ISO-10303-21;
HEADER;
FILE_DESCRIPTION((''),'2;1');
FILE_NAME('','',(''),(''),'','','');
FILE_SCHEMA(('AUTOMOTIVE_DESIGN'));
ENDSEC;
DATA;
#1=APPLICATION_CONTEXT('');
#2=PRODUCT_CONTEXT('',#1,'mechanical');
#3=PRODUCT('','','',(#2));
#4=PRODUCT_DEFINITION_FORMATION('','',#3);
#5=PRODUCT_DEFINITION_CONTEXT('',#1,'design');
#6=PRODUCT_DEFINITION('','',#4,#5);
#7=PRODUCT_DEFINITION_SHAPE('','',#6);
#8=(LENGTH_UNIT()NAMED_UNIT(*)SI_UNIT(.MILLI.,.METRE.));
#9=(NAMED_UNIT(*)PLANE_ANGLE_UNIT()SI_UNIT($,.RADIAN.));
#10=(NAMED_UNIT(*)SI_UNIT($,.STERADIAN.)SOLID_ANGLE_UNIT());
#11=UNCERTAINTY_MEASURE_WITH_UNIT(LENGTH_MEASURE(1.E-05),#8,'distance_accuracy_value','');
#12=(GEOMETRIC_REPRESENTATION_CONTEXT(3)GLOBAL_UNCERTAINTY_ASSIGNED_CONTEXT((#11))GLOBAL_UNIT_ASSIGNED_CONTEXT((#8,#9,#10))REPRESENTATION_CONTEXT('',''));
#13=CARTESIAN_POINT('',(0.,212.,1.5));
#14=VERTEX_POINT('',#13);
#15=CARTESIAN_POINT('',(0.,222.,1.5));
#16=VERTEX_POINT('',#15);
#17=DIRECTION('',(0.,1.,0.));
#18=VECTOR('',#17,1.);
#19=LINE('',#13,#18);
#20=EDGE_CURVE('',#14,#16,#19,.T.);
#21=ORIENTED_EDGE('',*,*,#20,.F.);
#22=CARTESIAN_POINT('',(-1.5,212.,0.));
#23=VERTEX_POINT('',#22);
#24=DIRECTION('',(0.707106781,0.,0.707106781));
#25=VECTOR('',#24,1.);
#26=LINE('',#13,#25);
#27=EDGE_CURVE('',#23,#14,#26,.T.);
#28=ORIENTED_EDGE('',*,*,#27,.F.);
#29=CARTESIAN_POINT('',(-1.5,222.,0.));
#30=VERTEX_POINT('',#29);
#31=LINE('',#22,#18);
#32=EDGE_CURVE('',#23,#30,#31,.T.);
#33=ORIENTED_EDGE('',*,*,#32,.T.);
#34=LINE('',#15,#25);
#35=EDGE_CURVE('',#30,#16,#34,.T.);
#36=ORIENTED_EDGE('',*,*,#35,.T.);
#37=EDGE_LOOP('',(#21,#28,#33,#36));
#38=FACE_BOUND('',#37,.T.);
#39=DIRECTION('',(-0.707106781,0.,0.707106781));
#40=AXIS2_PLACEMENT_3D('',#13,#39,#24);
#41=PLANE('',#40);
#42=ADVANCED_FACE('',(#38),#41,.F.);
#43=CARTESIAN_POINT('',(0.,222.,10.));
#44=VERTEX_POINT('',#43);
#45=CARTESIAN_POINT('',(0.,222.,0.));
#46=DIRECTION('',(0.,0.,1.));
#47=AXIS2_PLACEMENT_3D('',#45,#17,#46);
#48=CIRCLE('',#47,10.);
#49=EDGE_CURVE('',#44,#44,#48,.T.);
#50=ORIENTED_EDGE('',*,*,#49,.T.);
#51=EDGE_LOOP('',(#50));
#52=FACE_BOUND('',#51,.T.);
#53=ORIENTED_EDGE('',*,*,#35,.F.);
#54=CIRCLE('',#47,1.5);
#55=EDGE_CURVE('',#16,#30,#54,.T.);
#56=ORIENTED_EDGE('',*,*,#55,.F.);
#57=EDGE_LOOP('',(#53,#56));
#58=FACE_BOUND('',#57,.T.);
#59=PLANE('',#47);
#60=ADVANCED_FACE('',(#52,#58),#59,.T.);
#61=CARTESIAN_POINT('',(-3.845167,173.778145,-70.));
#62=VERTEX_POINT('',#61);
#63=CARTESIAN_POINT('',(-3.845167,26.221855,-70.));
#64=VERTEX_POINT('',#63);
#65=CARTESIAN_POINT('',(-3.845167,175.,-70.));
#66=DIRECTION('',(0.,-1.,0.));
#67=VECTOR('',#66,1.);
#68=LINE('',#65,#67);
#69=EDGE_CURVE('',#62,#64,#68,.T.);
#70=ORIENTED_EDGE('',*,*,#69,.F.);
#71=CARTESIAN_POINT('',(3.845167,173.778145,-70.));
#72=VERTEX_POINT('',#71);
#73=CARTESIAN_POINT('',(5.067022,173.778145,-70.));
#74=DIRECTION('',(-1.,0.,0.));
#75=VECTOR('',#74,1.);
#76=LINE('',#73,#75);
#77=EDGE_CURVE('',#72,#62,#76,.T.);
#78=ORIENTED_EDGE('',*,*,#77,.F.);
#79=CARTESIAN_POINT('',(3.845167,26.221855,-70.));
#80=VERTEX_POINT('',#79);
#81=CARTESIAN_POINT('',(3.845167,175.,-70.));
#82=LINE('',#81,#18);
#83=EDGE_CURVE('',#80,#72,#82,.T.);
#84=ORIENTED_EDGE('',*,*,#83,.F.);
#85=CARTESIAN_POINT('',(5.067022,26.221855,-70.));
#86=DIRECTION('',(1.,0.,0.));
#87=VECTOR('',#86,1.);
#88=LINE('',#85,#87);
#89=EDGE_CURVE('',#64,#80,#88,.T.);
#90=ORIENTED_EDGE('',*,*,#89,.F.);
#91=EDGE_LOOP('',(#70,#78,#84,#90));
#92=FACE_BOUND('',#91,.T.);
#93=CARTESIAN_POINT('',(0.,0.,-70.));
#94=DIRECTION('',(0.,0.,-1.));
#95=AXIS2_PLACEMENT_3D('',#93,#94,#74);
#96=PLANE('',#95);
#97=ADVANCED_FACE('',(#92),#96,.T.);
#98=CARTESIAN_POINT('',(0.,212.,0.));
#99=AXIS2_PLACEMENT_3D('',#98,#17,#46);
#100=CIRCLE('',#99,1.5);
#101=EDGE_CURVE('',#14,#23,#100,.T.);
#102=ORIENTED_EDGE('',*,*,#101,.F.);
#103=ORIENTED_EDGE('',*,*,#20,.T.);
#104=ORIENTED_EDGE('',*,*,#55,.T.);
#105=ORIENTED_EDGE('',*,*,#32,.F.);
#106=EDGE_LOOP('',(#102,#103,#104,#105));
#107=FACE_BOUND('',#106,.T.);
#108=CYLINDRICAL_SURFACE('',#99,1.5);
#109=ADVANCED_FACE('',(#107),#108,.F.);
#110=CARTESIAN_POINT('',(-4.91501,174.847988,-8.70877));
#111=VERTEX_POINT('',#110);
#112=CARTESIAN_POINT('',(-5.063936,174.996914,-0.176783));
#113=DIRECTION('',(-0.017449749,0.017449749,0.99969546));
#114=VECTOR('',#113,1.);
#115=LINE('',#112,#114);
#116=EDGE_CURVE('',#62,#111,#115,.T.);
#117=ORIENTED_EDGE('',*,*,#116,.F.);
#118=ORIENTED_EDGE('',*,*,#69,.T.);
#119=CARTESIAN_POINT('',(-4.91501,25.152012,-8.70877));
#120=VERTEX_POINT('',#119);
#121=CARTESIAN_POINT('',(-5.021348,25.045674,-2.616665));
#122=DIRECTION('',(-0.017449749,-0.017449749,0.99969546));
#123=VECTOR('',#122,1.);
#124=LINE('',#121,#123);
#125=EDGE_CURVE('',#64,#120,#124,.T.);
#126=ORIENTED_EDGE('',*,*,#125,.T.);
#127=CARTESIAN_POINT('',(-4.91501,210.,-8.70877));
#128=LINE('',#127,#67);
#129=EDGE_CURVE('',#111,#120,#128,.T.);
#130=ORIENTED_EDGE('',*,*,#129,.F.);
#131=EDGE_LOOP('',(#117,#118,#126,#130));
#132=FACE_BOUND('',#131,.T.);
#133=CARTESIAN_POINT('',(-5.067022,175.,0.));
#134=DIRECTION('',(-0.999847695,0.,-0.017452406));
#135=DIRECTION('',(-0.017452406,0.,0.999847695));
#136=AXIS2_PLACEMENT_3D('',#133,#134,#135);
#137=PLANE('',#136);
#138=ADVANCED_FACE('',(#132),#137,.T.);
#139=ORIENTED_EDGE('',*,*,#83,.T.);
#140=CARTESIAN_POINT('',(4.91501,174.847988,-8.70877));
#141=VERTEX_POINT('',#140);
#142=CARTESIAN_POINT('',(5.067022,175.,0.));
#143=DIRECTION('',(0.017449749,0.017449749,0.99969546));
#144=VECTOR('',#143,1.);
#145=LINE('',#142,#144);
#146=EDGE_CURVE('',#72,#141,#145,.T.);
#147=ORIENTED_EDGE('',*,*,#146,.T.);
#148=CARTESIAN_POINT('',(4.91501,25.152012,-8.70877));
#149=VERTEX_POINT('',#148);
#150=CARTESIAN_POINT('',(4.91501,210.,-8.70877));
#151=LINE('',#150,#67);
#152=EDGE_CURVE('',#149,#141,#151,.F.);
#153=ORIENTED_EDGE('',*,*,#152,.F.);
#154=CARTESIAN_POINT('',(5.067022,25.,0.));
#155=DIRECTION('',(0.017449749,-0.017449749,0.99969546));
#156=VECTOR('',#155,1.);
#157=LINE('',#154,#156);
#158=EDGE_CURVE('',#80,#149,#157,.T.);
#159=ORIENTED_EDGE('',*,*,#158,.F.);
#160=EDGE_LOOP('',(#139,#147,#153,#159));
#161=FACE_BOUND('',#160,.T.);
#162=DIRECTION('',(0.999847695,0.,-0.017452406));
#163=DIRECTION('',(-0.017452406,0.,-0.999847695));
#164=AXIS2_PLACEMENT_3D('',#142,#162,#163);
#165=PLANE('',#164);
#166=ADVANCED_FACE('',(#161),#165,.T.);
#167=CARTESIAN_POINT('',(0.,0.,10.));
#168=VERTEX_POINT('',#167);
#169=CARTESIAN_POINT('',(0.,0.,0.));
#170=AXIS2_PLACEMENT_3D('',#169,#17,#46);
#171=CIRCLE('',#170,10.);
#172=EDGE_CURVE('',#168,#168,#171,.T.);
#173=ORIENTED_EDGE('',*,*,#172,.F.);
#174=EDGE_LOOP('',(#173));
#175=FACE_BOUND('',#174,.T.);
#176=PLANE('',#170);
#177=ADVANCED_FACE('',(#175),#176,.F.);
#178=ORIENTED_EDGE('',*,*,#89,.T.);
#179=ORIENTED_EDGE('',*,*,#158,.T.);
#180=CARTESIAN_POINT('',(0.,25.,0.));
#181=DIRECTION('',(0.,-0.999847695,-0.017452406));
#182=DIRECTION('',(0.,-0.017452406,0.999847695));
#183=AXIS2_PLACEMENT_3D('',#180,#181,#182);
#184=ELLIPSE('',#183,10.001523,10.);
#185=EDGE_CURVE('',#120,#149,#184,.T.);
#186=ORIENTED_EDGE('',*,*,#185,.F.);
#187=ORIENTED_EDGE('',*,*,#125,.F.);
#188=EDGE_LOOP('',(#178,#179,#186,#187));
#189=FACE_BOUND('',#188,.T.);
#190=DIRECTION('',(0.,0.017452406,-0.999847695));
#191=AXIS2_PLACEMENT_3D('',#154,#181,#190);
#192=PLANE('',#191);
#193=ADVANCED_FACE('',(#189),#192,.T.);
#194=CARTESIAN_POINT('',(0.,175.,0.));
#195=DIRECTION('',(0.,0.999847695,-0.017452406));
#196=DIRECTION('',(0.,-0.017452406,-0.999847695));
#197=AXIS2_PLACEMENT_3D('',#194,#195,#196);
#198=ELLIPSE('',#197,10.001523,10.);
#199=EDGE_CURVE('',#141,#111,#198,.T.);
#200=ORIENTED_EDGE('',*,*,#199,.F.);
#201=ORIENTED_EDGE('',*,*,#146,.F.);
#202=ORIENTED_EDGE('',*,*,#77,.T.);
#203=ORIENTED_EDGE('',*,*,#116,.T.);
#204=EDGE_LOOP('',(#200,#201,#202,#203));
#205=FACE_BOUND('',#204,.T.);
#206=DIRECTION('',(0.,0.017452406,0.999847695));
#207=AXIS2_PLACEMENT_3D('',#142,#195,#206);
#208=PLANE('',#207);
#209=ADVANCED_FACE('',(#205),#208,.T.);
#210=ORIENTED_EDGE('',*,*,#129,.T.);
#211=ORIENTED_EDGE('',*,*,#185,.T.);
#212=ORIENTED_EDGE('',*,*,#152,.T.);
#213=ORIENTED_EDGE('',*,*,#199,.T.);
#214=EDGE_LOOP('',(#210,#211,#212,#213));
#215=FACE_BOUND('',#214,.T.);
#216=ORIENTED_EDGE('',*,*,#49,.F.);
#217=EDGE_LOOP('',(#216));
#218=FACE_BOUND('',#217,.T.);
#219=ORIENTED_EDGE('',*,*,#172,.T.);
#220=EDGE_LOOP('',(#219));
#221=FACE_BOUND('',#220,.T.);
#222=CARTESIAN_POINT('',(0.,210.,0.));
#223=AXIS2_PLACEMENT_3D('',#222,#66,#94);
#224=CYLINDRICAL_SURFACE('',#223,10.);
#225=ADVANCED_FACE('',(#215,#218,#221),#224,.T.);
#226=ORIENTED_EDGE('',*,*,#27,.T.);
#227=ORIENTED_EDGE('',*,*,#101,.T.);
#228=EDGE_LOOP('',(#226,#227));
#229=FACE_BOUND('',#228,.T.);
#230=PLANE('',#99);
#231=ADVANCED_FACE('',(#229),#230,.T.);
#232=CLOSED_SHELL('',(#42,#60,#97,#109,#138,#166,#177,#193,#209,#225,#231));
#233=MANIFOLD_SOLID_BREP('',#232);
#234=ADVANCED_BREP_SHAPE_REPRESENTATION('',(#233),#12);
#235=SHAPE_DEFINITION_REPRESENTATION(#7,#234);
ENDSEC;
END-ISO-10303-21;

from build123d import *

# Parameters (mm, degrees)
SKIZZE2_R                       = 10
AUFSATZ_LINEAR_AUSTRAGEN1_DEPTH = 210
SKIZZE7_W                       = 10.134043554
SKIZZE7_H                       = 150
AUFSATZ_LINEAR_AUSTRAGEN2_DEPTH = 70
AUFSATZ_LINEAR_AUSTRAGEN2_DRAFT = -1
SKIZZE8_R                       = 10
AUFSATZ_LINEAR_AUSTRAGEN3_DEPTH = 12
SCHNITT_LINEAR_AUSTRAGEN1_DEPTH = 10


with BuildPart() as part:
    # Skizze2 → Aufsatz-Linear austragen1 (new body)
    with BuildSketch(Plane(origin=(0, 0, 0), x_dir=(1, 0, 0), z_dir=(0, 1, 0))):
        with Locations(Location((0, 0, 0), (0, 0, 270))):
            Circle(SKIZZE2_R)
    extrude(amount=AUFSATZ_LINEAR_AUSTRAGEN1_DEPTH)


with BuildPart() as aufsatz_linear_austragen2_tool:
    # Skizze7 → Aufsatz-Linear austragen2 (with draft: the straight prism first)
    with BuildSketch(Plane.XY):
        with Locations((0, 100)):
            Rectangle(SKIZZE7_W, SKIZZE7_H)
    extrude(amount=-AUFSATZ_LINEAR_AUSTRAGEN2_DEPTH)
    # Aufsatz-Linear austragen2: the draft: its side faces are tilted about the plane it starts from
    aufsatz_linear_austragen2_sides = [aufsatz_linear_austragen2_tool.faces().sort_by_distance(p)[0] for p in [
        (0, 175, -35),
        (-5.067021777, 100, -35),
        (0, 25, -35),
        (5.067021777, 100, -35),
    ]]
    draft(aufsatz_linear_austragen2_sides, Plane.XY, AUFSATZ_LINEAR_AUSTRAGEN2_DRAFT)


with BuildPart() as part_1:
    add(part.part)

    # Aufsatz-Linear austragen2: add aufsatz_linear_austragen2_tool
    add(aufsatz_linear_austragen2_tool.part)

    # Skizze8 → Aufsatz-Linear austragen3 (add)
    with BuildSketch(Plane(origin=(0, 210, 0), x_dir=(1, 0, 0), z_dir=(0, 1, 0))):
        with Locations(Location((0, 0, 0), (0, 0, 270))):
            Circle(SKIZZE8_R)
    extrude(amount=AUFSATZ_LINEAR_AUSTRAGEN3_DEPTH)

    # Skizze9 → Schnitt-Linear austragen1 (cut)
    with BuildSketch(Plane(origin=(0, 222, 0), x_dir=(1, 0, 0), z_dir=(0, 1, 0))):
        with BuildLine():
            Line((0, -1.5), (-1.5, 0))
            ThreePointArc((-1.5, 0), (1.060660172, 1.060660172), (0, -1.5))
        make_face()
    extrude(amount=-SCHNITT_LINEAR_AUSTRAGEN1_DEPTH, mode=Mode.SUBTRACT)


solid = part_1.part
